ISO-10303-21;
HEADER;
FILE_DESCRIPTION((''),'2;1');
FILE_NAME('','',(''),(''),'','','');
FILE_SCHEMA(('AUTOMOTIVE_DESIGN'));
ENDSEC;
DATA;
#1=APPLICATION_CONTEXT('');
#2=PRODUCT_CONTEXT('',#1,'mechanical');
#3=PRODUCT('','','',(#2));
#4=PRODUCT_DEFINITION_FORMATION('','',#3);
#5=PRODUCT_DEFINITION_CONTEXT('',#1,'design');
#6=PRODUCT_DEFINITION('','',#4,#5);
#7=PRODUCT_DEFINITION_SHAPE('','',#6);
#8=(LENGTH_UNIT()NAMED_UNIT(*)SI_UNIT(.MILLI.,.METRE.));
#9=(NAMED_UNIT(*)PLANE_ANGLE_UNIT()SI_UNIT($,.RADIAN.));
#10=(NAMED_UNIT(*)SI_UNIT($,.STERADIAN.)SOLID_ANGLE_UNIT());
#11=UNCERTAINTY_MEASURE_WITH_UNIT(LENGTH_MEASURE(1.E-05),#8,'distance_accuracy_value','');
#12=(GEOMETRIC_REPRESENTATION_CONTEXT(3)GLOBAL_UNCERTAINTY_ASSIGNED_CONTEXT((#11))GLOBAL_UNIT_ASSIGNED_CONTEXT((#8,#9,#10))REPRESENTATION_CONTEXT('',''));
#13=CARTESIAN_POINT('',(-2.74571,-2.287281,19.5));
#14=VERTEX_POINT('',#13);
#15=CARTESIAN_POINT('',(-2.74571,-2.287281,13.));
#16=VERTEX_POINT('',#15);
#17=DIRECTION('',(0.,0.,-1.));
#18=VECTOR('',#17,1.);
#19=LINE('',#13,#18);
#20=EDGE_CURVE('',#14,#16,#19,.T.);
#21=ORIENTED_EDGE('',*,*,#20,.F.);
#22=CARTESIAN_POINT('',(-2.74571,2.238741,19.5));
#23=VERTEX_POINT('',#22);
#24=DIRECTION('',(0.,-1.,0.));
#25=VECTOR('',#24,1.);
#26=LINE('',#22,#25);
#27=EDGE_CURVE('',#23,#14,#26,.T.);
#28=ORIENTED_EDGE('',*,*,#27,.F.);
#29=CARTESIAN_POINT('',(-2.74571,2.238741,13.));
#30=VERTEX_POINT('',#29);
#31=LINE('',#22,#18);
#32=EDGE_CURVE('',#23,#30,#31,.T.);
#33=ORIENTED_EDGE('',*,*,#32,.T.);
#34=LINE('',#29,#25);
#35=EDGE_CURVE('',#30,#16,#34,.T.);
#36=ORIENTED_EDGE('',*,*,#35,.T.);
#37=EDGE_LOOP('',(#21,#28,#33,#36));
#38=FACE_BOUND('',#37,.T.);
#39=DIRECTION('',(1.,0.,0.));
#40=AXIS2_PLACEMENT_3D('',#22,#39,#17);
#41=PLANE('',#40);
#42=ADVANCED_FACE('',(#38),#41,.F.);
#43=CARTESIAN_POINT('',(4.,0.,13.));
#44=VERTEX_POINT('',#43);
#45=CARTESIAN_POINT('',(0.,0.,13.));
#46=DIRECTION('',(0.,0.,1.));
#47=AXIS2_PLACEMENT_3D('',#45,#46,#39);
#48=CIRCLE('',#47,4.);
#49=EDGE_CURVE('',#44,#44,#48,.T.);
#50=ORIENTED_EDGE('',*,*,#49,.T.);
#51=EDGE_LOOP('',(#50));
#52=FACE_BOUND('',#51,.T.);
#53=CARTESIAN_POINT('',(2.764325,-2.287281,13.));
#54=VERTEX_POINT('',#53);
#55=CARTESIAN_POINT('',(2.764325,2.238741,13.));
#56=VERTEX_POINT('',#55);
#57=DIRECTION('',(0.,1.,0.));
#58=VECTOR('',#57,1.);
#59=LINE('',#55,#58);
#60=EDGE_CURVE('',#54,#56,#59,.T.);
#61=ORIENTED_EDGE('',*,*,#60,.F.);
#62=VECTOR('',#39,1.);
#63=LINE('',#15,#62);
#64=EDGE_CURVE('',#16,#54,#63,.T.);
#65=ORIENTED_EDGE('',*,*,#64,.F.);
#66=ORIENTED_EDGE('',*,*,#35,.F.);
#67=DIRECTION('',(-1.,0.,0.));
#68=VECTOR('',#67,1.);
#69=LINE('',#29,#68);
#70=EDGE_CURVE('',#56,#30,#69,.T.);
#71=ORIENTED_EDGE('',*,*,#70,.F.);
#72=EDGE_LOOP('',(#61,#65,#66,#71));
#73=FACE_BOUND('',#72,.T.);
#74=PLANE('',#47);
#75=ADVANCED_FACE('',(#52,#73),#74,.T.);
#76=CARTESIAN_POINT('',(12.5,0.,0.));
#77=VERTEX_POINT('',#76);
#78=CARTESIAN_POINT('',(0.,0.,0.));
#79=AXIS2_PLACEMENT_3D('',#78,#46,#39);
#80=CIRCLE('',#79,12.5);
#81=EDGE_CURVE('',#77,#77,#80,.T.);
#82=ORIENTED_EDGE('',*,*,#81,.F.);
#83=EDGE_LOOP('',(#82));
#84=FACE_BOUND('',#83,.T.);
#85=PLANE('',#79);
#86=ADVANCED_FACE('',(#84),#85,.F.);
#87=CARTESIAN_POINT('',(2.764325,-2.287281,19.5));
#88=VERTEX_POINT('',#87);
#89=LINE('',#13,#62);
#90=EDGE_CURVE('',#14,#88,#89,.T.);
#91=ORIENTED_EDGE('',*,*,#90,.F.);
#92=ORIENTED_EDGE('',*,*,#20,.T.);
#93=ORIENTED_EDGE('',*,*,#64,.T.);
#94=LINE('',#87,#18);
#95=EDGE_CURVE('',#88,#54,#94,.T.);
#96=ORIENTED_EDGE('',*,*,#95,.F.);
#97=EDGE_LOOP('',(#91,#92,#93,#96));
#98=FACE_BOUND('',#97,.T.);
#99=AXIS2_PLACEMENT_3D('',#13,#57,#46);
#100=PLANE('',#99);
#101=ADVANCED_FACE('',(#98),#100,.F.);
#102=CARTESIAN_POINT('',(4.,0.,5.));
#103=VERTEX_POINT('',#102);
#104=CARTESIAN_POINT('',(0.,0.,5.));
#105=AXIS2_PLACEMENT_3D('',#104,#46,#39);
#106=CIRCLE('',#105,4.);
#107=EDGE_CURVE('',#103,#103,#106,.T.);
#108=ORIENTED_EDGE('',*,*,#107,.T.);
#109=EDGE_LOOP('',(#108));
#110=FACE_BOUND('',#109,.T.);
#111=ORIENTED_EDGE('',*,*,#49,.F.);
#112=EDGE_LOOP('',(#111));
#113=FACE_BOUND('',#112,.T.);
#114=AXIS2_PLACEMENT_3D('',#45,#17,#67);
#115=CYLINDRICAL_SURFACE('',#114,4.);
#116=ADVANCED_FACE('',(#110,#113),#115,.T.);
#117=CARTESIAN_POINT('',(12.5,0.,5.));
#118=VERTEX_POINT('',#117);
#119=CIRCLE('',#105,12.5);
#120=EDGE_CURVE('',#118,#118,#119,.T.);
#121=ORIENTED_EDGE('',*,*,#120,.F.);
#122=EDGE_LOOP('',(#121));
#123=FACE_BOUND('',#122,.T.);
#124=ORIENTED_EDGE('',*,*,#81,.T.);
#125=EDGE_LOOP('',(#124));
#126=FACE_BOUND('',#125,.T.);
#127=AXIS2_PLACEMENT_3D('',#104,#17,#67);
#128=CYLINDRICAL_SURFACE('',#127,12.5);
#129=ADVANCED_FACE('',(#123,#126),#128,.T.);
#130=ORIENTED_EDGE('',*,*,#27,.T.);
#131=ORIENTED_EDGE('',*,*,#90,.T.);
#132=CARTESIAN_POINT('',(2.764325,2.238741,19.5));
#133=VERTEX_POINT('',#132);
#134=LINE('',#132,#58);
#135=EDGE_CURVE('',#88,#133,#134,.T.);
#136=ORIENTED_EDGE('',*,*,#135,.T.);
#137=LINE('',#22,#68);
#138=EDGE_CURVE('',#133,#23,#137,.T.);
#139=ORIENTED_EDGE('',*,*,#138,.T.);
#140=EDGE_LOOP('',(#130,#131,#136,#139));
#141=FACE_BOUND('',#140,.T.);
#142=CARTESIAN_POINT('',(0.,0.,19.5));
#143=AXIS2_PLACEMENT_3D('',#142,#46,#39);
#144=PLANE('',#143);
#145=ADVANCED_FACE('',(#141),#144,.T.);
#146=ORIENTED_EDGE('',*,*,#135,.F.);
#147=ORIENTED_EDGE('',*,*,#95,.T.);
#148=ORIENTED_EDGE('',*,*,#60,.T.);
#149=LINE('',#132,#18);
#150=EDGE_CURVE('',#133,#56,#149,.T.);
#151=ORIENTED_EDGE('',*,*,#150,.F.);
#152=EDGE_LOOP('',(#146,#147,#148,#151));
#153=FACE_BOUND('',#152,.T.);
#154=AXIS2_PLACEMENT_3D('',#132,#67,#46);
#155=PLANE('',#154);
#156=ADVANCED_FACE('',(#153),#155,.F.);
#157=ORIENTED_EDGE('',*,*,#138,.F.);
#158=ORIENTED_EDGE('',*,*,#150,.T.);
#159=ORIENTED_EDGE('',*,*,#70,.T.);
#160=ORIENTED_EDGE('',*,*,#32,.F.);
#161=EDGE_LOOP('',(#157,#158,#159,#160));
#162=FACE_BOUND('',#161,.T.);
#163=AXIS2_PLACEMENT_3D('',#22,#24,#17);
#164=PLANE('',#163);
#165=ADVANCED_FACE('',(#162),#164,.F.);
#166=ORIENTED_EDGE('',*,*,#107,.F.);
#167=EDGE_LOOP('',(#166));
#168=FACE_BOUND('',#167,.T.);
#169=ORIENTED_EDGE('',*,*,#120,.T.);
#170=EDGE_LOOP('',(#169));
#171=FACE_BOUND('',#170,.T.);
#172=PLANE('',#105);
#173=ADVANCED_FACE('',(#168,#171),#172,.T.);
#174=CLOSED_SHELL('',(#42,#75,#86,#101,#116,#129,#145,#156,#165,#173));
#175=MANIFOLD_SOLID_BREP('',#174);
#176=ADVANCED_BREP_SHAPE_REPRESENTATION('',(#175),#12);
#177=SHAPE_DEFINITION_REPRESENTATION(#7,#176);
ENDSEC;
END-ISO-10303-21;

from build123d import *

# Parameters (mm, degrees)
SKETCH1_R           = 12.5
BOSS_EXTRUDE1_DEPTH = 5
SKETCH2_R           = 4
BOSS_EXTRUDE2_DEPTH = 8
SKETCH3_W           = 5.51003513
SKETCH3_H           = 4.526021733
BOSS_EXTRUDE3_DEPTH = 6.5


with BuildPart() as part:
    # Sketch1 → Boss-Extrude1 (new body)
    with BuildSketch(Plane.XY):
        Circle(SKETCH1_R)
    extrude(amount=BOSS_EXTRUDE1_DEPTH)

    # Sketch2 → Boss-Extrude2 (add)
    with BuildSketch(Plane.XY.offset(5)):
        Circle(SKETCH2_R)
    extrude(amount=BOSS_EXTRUDE2_DEPTH)

    # Sketch3 → Boss-Extrude3 (add)
    with BuildSketch(Plane.XY.offset(13)):
        with Locations((0.009307382, -0.024270034)):
            Rectangle(SKETCH3_W, SKETCH3_H)
    extrude(amount=BOSS_EXTRUDE3_DEPTH)


solid = part.part
